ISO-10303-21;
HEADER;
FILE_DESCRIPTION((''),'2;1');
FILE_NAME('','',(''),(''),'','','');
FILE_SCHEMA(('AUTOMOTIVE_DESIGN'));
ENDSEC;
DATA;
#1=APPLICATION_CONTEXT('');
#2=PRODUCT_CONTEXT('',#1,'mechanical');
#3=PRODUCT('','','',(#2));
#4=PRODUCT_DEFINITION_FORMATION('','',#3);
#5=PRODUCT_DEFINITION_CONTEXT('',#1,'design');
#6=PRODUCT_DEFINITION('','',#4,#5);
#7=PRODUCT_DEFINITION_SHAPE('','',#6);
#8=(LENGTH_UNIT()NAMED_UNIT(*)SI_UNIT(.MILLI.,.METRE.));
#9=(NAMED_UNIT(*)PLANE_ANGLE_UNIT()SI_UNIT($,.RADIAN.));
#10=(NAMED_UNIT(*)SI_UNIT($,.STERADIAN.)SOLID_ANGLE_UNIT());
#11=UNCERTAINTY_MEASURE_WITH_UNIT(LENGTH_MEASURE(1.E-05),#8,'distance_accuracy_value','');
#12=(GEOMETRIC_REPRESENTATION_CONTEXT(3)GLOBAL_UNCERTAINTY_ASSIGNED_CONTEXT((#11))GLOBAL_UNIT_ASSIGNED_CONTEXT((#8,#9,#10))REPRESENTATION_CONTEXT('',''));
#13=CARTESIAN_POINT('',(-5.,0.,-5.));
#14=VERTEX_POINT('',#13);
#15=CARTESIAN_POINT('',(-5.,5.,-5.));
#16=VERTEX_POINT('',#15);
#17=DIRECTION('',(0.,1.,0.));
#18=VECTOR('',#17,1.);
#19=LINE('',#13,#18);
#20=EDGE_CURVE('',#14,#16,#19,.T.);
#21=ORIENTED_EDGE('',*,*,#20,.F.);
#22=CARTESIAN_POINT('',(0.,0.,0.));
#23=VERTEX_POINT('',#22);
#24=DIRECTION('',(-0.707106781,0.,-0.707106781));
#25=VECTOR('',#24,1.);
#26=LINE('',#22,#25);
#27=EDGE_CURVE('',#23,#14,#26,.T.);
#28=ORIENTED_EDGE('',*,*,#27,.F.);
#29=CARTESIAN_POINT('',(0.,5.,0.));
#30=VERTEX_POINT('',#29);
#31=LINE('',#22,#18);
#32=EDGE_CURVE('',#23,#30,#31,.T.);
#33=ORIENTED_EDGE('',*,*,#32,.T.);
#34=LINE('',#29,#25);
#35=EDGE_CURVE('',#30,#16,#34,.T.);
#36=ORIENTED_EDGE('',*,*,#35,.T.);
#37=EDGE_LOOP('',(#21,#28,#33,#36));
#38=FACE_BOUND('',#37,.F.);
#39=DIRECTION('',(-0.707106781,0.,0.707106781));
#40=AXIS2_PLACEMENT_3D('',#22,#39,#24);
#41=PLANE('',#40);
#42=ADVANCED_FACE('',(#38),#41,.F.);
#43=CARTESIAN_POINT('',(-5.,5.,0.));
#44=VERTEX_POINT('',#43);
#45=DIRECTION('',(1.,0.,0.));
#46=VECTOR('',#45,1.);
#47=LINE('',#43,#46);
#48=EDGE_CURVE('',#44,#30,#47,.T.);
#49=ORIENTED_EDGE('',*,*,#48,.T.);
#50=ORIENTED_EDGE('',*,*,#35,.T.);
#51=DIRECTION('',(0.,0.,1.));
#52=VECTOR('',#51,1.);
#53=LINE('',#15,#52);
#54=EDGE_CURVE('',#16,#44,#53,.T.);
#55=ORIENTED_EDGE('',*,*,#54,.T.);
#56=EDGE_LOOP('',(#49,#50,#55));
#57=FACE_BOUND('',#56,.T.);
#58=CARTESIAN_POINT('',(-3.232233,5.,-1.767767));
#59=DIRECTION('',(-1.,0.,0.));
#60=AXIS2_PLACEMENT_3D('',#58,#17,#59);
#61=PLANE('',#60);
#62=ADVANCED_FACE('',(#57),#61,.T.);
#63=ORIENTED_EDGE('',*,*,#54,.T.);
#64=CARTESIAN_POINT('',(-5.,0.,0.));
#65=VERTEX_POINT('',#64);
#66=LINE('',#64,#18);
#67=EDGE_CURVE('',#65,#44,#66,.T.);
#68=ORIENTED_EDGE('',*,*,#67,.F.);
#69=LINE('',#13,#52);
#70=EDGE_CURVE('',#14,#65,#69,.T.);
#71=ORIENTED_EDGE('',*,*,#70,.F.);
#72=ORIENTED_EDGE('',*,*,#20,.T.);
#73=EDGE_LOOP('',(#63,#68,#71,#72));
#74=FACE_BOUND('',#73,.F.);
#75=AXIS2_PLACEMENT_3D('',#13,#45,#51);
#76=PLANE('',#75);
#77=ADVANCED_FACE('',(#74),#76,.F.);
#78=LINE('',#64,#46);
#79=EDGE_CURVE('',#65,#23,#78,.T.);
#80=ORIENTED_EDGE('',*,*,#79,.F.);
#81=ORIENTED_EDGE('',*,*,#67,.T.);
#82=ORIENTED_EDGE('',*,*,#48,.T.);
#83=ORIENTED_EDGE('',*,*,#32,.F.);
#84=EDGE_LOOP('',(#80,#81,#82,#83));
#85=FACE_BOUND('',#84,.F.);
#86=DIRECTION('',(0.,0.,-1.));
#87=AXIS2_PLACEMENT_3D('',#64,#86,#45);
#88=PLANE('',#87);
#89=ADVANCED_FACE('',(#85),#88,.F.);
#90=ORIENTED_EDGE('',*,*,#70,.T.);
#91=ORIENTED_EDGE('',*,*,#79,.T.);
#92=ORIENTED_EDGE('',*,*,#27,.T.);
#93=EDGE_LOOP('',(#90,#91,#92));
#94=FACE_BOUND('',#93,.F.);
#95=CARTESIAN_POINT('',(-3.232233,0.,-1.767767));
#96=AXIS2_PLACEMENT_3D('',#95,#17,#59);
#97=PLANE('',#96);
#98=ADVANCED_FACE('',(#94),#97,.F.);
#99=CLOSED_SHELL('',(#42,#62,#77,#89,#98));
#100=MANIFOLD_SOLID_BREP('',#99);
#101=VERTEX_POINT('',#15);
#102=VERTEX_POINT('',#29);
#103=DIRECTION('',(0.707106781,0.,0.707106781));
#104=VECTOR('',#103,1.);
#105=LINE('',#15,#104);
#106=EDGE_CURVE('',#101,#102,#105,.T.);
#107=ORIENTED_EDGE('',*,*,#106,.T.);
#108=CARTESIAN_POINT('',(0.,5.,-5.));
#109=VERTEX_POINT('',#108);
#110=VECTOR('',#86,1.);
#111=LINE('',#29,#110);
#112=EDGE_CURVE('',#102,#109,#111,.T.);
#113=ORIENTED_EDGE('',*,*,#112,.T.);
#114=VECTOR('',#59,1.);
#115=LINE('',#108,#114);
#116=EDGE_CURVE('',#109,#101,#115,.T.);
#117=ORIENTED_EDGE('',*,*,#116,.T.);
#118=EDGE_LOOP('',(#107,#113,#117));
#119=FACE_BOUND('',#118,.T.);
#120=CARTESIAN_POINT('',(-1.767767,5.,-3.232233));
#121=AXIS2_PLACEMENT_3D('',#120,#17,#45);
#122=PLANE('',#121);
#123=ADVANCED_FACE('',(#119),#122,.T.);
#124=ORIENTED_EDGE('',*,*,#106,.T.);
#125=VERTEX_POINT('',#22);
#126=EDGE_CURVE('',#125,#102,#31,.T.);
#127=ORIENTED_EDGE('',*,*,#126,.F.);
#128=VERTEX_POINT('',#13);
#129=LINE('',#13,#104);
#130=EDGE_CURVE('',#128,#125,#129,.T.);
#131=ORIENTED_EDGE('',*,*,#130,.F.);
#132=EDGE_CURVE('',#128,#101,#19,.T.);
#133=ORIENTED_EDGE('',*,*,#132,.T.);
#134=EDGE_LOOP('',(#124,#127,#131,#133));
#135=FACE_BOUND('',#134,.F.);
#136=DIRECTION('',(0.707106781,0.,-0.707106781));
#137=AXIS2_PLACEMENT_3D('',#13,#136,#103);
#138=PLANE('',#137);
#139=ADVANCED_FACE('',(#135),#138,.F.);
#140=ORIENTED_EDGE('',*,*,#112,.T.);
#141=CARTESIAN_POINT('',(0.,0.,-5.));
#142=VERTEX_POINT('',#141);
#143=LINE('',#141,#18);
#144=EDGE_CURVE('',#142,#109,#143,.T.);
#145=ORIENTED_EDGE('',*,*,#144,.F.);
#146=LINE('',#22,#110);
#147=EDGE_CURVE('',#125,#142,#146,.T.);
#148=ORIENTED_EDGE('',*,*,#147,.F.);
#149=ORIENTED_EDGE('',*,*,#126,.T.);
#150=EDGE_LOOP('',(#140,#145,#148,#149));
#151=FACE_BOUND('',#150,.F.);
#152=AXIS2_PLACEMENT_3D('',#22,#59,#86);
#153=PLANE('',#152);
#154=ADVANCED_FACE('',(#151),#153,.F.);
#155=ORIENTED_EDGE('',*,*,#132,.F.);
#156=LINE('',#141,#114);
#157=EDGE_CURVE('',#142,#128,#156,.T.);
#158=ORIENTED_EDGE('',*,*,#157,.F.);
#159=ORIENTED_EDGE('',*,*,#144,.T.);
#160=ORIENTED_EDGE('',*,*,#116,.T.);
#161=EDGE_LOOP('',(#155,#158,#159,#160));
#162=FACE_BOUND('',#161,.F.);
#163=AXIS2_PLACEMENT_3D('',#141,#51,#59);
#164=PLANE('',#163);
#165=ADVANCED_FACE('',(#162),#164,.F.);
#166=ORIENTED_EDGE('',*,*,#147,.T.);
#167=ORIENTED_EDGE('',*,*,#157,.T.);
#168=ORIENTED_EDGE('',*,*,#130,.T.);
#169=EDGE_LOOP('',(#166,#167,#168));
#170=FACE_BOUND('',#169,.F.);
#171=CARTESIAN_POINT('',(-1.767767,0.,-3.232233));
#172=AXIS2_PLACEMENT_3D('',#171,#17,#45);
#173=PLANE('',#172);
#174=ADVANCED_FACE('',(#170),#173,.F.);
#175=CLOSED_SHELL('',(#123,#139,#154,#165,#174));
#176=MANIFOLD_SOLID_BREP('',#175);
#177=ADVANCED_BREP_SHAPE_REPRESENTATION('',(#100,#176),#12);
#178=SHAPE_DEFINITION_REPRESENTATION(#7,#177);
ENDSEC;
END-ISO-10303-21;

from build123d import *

# Parameters (mm, degrees)
EXTRUDE_1_DEPTH = 5
EXTRUDE_2_DEPTH = 5


with BuildPart() as part:
    # 草图1 → 凸台-拉伸1 (new body)
    with BuildSketch(Plane(origin=(0, 0, 0), x_dir=(1, 0, 0), z_dir=(0, 1, 0))):
        Polygon((0, 0), (0, 5), (-5, 5), align=None)
    extrude(amount=EXTRUDE_1_DEPTH)


with BuildPart() as body_2:
    # 草图2 → 凸台-拉伸2 (new body)
    with BuildSketch(Plane.XZ):
        Polygon((-5, -5), (-5, 0), (0, 0), align=None)
    extrude(amount=-EXTRUDE_2_DEPTH)


solid = Compound([part.part, body_2.part])
